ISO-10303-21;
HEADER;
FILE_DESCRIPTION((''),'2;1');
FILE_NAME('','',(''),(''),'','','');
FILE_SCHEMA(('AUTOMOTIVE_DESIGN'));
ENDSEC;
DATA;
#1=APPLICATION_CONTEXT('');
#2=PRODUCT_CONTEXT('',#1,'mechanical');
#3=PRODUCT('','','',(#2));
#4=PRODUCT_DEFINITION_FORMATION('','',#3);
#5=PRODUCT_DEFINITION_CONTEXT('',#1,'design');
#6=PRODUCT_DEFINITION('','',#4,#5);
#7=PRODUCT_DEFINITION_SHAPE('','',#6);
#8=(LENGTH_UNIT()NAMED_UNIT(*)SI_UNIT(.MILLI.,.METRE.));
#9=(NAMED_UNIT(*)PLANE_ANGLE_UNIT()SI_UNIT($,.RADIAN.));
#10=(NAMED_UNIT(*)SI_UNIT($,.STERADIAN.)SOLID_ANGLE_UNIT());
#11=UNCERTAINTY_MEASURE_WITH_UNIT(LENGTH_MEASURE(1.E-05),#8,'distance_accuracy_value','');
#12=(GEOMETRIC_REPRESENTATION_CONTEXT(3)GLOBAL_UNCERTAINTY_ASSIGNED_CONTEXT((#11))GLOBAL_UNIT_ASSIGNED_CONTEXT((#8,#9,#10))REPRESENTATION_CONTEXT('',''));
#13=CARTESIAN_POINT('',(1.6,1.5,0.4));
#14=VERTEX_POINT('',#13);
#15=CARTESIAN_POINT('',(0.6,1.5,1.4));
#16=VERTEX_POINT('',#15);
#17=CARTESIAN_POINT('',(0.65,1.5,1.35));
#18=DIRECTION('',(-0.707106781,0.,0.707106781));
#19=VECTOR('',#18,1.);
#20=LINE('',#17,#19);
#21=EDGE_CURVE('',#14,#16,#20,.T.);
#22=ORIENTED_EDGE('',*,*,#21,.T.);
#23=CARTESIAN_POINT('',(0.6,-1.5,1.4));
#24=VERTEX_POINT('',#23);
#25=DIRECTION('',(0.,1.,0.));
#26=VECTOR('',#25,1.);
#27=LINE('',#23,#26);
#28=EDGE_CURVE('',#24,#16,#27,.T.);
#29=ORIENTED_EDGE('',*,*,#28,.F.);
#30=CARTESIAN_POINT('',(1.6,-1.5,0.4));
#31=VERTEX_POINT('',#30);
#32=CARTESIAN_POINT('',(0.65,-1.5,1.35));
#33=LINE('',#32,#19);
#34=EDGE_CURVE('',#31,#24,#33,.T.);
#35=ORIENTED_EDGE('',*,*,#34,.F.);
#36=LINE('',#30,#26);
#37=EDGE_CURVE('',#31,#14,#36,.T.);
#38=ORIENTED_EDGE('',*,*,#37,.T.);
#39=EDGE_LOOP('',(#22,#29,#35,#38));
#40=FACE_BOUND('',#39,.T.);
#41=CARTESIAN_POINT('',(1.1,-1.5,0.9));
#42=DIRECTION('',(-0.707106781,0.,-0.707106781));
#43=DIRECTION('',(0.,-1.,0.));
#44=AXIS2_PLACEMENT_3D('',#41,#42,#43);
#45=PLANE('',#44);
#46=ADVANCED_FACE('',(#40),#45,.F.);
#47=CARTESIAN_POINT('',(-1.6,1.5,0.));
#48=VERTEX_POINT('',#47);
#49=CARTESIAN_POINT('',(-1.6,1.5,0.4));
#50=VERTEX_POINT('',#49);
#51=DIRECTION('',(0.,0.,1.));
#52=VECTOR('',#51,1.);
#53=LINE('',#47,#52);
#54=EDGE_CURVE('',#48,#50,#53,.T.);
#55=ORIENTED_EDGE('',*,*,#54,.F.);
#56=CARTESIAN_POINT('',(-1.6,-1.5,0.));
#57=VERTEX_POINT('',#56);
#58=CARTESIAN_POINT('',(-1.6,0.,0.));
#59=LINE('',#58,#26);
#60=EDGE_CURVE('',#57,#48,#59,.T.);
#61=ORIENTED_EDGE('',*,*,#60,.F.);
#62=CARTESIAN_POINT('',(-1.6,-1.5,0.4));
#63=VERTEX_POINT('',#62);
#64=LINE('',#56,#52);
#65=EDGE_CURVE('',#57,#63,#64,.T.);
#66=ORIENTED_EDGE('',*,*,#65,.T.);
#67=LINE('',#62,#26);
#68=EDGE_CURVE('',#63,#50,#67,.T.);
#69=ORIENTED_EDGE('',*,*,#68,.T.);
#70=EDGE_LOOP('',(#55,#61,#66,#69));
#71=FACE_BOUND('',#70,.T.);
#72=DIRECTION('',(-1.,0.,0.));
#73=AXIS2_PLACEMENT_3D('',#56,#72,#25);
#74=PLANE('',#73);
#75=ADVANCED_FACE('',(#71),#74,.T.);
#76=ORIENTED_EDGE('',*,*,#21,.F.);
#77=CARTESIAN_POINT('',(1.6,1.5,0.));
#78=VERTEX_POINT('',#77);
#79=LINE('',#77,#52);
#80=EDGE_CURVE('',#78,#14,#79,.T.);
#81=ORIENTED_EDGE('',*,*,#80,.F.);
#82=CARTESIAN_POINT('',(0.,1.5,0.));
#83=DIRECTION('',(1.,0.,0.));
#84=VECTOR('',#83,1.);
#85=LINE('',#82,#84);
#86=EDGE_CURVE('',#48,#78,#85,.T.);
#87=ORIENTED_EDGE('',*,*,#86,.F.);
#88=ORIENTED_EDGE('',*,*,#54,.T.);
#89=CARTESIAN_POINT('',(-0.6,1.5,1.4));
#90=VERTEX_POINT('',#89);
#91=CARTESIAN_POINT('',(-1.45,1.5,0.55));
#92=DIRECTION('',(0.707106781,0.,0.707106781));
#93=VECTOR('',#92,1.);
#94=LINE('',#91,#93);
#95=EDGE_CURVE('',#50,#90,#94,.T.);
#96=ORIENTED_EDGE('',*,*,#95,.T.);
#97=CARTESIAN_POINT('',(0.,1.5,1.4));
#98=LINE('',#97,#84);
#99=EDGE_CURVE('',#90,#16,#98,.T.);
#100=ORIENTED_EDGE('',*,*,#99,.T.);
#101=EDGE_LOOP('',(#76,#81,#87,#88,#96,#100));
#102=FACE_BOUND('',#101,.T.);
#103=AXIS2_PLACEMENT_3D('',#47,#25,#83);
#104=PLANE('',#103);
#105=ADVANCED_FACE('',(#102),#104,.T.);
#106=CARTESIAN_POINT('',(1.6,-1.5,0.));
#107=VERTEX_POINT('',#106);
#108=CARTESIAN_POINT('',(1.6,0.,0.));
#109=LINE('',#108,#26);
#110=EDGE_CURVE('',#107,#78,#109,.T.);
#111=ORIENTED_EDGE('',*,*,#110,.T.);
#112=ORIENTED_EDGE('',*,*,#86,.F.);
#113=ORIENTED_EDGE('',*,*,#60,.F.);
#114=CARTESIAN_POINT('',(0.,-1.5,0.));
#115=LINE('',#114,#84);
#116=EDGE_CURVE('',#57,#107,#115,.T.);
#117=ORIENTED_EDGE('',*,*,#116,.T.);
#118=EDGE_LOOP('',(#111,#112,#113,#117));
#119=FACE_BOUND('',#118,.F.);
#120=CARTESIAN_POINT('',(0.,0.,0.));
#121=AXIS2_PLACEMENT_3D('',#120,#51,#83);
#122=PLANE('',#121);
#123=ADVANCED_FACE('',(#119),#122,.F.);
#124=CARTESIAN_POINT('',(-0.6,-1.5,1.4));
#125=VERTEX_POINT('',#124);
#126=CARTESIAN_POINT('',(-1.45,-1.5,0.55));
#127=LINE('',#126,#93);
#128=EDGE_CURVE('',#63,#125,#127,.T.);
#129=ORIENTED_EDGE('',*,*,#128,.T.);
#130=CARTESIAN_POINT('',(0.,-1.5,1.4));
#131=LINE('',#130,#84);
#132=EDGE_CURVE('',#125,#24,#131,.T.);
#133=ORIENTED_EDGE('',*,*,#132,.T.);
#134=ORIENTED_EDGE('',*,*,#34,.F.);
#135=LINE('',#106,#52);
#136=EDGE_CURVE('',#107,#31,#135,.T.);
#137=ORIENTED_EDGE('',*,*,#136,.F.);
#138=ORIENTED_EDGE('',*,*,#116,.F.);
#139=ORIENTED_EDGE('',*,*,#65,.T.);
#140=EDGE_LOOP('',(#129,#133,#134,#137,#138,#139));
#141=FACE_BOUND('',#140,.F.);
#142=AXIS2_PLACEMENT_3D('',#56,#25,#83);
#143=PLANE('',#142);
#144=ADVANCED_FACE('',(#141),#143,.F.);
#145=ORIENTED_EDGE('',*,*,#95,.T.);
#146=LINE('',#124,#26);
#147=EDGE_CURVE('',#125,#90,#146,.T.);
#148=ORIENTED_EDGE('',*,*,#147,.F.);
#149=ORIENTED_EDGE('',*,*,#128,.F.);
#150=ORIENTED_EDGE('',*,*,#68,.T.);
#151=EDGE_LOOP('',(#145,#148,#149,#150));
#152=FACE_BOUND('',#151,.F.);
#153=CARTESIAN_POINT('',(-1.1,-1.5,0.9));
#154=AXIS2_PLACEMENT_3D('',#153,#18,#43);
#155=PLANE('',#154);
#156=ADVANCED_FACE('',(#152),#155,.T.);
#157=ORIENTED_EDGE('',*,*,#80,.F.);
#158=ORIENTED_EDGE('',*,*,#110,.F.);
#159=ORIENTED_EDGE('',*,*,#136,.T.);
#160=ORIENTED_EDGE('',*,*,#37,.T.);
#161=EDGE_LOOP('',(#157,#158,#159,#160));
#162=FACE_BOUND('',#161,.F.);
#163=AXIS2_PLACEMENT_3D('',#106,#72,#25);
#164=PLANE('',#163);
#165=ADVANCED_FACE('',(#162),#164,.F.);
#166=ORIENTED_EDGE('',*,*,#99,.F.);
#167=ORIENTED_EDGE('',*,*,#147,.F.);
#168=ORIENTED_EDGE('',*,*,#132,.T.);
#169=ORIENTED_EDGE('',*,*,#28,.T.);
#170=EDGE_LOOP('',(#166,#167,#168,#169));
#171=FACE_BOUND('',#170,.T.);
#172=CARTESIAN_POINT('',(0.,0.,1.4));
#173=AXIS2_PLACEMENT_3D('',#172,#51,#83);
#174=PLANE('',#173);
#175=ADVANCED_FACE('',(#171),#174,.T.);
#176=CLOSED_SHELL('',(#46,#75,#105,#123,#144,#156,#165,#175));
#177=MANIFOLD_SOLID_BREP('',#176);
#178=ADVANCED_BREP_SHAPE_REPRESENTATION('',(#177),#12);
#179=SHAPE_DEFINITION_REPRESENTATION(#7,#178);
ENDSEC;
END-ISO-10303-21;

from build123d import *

# Parameters (mm, degrees)
SKETCH_W     = 3.2
SKETCH_H     = 3
PAD_DEPTH    = 1.4
CHAMFER_SIZE = 1


with BuildPart() as part:
    # Sketch → Pad (new body)
    with BuildSketch(Plane.XY):
        Rectangle(SKETCH_W, SKETCH_H)
    extrude(amount=PAD_DEPTH)

    # Chamfer
    chamfer_edges = [part.edges().sort_by_distance(p)[0] for p in [
        (-1.6, 0, 1.4),
        (1.6, 0, 1.4),
    ]]
    chamfer(chamfer_edges, length=CHAMFER_SIZE)


solid = part.part
